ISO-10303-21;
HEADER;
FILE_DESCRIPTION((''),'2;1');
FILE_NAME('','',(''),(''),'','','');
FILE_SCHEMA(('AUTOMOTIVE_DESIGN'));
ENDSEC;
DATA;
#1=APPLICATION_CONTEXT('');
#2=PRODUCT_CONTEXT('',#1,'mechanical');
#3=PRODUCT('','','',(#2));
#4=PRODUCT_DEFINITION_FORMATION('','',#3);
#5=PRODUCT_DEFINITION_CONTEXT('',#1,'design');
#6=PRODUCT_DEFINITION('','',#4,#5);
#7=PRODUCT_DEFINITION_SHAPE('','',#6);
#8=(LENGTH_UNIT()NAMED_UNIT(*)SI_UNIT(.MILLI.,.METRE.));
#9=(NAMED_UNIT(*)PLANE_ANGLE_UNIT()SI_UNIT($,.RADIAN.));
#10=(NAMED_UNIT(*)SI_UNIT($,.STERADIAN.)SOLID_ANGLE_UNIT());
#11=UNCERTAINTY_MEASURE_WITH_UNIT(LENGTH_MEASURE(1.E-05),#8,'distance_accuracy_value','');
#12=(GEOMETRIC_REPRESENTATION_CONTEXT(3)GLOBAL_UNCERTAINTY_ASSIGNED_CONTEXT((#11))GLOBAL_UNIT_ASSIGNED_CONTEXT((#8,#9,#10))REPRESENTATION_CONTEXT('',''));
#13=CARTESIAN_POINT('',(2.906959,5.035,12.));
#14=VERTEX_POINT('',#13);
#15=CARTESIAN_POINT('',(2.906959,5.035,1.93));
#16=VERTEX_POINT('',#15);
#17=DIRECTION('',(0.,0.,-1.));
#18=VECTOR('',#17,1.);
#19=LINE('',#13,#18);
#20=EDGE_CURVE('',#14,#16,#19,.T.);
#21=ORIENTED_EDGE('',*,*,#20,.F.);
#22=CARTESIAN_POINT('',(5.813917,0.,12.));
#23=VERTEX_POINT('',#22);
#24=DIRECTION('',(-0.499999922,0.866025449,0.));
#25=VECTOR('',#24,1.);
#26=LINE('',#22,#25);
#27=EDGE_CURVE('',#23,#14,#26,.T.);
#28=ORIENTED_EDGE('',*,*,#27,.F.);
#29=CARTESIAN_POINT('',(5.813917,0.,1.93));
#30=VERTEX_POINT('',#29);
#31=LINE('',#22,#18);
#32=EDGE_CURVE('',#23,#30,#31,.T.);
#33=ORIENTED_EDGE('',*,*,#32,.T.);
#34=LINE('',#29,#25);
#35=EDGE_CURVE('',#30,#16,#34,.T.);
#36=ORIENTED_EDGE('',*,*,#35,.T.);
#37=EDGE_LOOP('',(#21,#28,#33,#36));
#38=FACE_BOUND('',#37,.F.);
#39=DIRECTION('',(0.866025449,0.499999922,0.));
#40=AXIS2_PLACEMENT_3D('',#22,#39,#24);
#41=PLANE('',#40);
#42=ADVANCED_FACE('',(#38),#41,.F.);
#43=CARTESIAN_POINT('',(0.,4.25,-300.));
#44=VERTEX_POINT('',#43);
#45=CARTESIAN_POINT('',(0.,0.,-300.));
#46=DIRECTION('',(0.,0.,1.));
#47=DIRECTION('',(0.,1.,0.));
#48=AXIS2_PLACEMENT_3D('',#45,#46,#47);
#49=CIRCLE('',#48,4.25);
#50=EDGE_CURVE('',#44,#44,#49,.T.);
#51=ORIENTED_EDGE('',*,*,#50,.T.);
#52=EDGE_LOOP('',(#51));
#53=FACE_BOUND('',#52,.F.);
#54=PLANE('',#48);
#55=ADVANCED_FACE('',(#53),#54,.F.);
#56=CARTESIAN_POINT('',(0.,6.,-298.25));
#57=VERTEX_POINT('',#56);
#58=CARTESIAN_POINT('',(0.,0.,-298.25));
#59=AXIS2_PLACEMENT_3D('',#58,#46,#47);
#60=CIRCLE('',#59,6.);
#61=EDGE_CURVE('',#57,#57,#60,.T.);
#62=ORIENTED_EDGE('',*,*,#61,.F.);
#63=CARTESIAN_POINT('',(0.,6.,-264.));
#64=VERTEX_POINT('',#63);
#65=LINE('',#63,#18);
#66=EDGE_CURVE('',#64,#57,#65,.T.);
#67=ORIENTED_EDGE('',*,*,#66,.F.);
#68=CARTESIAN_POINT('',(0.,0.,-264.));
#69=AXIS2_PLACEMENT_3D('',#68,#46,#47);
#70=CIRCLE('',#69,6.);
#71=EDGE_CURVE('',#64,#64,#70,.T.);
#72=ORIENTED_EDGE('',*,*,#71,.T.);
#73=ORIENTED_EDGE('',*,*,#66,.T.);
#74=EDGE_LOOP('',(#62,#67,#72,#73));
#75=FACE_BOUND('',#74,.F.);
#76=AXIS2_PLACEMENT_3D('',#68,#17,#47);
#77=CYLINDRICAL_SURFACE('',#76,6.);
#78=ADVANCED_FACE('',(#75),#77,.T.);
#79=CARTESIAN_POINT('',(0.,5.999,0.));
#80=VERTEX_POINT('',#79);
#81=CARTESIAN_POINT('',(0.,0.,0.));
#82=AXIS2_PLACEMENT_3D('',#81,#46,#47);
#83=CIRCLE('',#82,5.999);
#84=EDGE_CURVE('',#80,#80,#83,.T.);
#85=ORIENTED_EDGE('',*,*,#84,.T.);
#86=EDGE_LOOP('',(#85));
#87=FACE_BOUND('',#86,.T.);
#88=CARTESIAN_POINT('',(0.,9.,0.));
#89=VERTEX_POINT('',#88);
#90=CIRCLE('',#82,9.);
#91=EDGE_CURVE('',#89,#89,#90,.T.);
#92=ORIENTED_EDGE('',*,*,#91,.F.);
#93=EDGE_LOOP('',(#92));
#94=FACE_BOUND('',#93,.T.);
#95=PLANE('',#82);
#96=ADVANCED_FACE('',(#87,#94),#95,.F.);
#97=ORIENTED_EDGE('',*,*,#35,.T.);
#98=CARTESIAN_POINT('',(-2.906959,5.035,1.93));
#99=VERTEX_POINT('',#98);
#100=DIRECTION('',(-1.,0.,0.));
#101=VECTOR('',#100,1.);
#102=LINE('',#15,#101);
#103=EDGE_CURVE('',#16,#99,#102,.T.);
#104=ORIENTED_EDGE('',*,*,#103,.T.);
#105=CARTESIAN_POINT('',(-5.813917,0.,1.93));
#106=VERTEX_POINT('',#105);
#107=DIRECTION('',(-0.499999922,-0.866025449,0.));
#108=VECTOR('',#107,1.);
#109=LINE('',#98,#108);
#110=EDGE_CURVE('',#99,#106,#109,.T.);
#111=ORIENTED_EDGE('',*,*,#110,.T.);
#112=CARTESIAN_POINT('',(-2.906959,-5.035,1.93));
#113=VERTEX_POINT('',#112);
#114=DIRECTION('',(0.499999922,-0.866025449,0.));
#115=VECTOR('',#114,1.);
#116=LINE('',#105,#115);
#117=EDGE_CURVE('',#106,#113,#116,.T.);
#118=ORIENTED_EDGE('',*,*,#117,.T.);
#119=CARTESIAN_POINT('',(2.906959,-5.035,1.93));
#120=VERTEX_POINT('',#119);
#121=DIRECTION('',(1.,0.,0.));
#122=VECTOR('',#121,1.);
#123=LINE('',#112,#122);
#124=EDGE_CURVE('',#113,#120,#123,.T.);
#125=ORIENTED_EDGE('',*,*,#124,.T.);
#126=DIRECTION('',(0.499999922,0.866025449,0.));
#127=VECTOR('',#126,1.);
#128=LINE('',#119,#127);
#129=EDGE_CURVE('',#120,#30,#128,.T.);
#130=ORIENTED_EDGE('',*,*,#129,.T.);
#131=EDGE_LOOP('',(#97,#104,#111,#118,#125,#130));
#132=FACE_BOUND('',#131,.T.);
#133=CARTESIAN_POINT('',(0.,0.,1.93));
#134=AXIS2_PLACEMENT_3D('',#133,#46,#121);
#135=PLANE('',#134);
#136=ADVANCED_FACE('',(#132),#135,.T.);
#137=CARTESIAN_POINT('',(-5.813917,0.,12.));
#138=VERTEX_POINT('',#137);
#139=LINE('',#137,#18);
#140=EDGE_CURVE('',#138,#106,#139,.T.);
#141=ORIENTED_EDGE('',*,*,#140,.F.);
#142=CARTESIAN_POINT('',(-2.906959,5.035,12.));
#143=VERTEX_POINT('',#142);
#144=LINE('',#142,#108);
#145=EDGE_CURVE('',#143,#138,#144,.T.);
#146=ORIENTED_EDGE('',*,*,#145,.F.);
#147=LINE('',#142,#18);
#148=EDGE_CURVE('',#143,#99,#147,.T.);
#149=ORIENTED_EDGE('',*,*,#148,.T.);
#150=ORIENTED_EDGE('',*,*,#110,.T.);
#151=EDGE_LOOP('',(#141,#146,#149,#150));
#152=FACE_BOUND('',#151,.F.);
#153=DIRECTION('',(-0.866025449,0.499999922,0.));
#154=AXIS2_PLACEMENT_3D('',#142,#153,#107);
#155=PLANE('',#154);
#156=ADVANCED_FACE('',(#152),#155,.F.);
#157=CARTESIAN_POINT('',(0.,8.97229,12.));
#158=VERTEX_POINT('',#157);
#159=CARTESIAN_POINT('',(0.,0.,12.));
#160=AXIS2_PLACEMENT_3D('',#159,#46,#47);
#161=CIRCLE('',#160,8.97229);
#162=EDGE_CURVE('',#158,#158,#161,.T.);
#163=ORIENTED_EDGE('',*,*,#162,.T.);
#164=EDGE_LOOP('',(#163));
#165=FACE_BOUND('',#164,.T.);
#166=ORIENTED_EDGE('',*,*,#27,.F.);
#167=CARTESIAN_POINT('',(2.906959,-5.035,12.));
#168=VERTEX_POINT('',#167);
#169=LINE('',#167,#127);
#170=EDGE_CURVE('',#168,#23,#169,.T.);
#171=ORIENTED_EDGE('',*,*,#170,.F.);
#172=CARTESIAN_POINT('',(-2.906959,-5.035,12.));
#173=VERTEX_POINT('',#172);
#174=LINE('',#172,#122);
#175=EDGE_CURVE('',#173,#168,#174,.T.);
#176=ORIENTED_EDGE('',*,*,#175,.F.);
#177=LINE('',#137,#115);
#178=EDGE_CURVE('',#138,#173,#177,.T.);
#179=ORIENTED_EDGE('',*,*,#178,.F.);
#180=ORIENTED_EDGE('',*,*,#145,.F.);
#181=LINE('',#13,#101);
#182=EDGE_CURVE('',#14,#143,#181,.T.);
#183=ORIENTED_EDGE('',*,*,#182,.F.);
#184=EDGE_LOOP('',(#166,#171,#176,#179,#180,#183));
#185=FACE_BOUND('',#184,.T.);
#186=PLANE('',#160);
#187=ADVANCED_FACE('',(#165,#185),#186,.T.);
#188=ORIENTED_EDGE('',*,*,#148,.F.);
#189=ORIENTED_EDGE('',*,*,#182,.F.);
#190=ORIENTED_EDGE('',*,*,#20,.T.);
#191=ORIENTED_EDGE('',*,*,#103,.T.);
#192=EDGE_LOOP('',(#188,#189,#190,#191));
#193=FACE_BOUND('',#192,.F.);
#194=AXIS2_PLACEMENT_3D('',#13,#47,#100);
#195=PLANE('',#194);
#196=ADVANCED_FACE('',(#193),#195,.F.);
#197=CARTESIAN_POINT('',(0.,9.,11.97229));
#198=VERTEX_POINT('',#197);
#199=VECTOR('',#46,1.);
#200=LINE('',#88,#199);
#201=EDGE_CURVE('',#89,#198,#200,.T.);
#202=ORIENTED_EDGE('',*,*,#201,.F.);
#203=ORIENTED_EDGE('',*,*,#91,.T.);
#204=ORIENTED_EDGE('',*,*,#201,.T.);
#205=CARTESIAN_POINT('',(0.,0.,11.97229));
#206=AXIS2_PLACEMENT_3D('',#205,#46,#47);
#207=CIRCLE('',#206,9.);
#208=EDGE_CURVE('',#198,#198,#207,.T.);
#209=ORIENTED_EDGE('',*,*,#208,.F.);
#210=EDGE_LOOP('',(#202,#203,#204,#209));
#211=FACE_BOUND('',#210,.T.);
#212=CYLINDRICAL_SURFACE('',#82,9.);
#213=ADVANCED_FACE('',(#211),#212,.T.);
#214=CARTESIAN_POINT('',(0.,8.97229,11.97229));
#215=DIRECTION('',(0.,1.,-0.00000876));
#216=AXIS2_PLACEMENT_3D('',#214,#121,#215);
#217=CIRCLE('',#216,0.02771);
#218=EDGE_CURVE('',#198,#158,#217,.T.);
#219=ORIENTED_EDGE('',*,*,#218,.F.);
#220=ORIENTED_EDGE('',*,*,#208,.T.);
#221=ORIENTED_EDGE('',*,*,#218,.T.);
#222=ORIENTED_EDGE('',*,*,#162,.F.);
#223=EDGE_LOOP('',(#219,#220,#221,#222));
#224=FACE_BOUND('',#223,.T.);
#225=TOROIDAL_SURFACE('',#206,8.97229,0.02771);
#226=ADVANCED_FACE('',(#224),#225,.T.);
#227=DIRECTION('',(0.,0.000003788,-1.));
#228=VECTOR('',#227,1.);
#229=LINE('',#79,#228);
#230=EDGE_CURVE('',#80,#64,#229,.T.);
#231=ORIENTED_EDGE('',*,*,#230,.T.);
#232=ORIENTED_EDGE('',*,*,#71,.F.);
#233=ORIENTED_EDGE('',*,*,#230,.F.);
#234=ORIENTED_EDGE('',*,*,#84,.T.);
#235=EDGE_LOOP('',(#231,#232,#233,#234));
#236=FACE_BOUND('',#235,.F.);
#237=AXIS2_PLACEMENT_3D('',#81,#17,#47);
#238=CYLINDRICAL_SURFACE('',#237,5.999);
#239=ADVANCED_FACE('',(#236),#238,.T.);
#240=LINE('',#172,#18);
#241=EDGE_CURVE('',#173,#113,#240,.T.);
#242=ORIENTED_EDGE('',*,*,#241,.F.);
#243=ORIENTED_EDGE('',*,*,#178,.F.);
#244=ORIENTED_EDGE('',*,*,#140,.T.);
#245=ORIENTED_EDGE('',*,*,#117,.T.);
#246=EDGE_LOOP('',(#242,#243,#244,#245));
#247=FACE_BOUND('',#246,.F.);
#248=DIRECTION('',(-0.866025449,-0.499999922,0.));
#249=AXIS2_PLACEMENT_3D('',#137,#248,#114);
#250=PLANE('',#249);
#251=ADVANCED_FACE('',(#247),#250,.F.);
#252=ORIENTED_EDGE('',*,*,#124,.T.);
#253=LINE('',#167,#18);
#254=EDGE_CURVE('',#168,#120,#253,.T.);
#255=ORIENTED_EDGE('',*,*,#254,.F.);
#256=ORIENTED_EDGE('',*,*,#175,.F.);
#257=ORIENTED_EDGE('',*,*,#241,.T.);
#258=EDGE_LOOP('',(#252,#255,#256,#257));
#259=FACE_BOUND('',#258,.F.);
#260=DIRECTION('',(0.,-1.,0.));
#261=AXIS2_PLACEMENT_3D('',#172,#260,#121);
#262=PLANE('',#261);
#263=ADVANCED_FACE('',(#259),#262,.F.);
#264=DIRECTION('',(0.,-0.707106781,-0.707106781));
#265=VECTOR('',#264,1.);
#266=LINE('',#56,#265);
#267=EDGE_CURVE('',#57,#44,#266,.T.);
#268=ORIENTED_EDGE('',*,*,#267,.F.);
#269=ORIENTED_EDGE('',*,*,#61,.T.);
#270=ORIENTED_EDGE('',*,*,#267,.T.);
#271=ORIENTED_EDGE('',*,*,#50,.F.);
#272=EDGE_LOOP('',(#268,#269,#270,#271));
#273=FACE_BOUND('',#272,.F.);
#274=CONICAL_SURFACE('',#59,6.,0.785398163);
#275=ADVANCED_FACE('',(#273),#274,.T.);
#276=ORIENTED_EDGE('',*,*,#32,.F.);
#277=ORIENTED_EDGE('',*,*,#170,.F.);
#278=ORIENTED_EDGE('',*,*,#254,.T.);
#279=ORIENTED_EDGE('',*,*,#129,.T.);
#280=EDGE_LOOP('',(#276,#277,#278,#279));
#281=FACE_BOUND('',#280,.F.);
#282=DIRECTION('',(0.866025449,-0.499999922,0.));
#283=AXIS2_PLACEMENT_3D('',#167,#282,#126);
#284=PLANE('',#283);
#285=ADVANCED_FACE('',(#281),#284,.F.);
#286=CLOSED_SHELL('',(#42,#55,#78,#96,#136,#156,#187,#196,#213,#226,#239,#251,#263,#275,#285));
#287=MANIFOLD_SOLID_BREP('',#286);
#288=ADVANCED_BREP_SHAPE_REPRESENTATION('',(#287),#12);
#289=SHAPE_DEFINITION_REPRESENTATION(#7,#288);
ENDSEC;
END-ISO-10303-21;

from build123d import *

# Parameters (mm, degrees)
POCKET_DEPTH = 10.07


with BuildPart() as part:
    # Sketch → Revolve (revolve)
    with BuildSketch(Plane.YZ):
        with BuildLine():
            Line((5.999, 0), (9, 0))
            Line((9, 0), (9, 11.97229))
            ThreePointArc((9, 11.97229), (8.991884, 11.991884), (8.97229, 12))
            Line((8.97229, 12), (0, 12))
            Line((0, -300), (0, 12))
            Line((4.25, -300), (0, -300))
            Line((6, -298.25), (4.25, -300))
            Line((6, -264), (6, -298.25))
            Line((5.999, 0), (6, -264))
        make_face()
    revolve(axis=Axis((0, 0, 0), (0, 0, 1)))

    # Sketch001 → Pocket (cut)
    with BuildSketch(Plane.XY.offset(12)):
        Polygon((5.813917, 0), (2.906959, 5.035), (-2.906959, 5.035), (-5.813917, 0), (-2.906959, -5.035), (2.906959, -5.035), align=None)
    extrude(amount=-POCKET_DEPTH, mode=Mode.SUBTRACT)


solid = part.part
